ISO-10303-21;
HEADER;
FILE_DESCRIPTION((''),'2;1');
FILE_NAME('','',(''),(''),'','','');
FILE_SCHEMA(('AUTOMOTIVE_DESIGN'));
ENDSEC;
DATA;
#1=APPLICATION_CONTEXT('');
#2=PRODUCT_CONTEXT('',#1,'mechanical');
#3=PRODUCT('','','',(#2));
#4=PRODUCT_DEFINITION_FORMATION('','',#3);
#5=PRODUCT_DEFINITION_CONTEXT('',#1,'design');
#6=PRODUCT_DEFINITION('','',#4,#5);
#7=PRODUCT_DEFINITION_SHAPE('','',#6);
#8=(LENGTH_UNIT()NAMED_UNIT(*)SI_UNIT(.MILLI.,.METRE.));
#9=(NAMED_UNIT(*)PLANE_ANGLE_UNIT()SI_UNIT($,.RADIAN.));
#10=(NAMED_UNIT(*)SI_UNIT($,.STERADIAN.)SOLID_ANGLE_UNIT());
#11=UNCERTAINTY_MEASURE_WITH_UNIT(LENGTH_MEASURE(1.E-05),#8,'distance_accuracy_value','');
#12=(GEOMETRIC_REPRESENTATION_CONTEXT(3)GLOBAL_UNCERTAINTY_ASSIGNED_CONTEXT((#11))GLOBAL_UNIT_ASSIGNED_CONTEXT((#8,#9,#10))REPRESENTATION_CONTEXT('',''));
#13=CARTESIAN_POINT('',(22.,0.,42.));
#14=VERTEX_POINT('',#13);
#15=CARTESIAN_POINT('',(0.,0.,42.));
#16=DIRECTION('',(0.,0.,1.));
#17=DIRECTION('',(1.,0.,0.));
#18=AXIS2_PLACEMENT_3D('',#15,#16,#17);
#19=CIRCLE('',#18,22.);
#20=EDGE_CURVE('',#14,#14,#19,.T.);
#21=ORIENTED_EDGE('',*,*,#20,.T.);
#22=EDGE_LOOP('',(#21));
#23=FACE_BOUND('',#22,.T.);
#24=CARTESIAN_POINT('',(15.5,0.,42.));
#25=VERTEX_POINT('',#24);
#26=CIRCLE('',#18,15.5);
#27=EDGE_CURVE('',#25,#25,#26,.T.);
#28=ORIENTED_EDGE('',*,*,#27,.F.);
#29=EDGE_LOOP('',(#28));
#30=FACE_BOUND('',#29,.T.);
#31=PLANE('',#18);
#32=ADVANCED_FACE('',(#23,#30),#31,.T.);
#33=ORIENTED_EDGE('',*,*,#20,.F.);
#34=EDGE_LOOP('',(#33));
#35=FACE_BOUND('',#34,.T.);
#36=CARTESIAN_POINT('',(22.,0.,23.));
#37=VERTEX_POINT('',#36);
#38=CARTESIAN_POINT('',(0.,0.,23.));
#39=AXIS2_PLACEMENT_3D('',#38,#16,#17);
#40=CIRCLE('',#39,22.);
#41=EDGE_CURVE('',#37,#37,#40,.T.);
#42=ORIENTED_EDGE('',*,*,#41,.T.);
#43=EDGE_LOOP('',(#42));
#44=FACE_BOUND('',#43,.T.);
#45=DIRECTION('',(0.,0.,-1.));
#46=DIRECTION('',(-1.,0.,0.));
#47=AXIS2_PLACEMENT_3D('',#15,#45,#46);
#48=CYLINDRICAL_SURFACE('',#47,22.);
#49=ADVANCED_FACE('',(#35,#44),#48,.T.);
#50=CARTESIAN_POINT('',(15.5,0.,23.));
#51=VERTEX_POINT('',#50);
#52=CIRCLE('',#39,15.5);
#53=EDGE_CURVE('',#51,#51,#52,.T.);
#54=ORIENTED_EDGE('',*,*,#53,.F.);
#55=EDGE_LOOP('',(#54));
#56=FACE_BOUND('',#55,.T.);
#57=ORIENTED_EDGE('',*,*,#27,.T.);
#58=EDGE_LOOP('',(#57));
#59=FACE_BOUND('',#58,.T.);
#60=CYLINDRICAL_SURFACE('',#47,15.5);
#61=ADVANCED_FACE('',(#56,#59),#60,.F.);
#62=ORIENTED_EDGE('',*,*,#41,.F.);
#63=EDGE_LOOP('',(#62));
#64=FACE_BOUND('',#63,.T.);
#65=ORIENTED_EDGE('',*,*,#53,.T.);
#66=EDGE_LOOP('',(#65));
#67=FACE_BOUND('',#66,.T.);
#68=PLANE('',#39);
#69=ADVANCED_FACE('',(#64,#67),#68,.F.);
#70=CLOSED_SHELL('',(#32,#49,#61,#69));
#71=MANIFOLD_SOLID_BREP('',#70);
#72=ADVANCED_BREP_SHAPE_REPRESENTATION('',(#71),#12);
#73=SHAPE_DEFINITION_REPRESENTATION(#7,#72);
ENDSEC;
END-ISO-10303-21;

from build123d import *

# Parameters (mm, degrees)
BEARING_START                              = 23
SKETCH1_R                                  = 22
SKETCH1_R_2                                = 15.5
BEARING_ENVELOPE_31_MM_ID_X_44_MM_OD_DEPTH = 19


with BuildPart() as part:
    # Sketch1 → Bearing envelope - 31 mm ID x 44 mm OD (new body)
    with BuildSketch(Plane.XY.offset(BEARING_START)):
        Circle(SKETCH1_R)
        Circle(SKETCH1_R_2, mode=Mode.SUBTRACT)
    extrude(amount=BEARING_ENVELOPE_31_MM_ID_X_44_MM_OD_DEPTH)


solid = part.part
